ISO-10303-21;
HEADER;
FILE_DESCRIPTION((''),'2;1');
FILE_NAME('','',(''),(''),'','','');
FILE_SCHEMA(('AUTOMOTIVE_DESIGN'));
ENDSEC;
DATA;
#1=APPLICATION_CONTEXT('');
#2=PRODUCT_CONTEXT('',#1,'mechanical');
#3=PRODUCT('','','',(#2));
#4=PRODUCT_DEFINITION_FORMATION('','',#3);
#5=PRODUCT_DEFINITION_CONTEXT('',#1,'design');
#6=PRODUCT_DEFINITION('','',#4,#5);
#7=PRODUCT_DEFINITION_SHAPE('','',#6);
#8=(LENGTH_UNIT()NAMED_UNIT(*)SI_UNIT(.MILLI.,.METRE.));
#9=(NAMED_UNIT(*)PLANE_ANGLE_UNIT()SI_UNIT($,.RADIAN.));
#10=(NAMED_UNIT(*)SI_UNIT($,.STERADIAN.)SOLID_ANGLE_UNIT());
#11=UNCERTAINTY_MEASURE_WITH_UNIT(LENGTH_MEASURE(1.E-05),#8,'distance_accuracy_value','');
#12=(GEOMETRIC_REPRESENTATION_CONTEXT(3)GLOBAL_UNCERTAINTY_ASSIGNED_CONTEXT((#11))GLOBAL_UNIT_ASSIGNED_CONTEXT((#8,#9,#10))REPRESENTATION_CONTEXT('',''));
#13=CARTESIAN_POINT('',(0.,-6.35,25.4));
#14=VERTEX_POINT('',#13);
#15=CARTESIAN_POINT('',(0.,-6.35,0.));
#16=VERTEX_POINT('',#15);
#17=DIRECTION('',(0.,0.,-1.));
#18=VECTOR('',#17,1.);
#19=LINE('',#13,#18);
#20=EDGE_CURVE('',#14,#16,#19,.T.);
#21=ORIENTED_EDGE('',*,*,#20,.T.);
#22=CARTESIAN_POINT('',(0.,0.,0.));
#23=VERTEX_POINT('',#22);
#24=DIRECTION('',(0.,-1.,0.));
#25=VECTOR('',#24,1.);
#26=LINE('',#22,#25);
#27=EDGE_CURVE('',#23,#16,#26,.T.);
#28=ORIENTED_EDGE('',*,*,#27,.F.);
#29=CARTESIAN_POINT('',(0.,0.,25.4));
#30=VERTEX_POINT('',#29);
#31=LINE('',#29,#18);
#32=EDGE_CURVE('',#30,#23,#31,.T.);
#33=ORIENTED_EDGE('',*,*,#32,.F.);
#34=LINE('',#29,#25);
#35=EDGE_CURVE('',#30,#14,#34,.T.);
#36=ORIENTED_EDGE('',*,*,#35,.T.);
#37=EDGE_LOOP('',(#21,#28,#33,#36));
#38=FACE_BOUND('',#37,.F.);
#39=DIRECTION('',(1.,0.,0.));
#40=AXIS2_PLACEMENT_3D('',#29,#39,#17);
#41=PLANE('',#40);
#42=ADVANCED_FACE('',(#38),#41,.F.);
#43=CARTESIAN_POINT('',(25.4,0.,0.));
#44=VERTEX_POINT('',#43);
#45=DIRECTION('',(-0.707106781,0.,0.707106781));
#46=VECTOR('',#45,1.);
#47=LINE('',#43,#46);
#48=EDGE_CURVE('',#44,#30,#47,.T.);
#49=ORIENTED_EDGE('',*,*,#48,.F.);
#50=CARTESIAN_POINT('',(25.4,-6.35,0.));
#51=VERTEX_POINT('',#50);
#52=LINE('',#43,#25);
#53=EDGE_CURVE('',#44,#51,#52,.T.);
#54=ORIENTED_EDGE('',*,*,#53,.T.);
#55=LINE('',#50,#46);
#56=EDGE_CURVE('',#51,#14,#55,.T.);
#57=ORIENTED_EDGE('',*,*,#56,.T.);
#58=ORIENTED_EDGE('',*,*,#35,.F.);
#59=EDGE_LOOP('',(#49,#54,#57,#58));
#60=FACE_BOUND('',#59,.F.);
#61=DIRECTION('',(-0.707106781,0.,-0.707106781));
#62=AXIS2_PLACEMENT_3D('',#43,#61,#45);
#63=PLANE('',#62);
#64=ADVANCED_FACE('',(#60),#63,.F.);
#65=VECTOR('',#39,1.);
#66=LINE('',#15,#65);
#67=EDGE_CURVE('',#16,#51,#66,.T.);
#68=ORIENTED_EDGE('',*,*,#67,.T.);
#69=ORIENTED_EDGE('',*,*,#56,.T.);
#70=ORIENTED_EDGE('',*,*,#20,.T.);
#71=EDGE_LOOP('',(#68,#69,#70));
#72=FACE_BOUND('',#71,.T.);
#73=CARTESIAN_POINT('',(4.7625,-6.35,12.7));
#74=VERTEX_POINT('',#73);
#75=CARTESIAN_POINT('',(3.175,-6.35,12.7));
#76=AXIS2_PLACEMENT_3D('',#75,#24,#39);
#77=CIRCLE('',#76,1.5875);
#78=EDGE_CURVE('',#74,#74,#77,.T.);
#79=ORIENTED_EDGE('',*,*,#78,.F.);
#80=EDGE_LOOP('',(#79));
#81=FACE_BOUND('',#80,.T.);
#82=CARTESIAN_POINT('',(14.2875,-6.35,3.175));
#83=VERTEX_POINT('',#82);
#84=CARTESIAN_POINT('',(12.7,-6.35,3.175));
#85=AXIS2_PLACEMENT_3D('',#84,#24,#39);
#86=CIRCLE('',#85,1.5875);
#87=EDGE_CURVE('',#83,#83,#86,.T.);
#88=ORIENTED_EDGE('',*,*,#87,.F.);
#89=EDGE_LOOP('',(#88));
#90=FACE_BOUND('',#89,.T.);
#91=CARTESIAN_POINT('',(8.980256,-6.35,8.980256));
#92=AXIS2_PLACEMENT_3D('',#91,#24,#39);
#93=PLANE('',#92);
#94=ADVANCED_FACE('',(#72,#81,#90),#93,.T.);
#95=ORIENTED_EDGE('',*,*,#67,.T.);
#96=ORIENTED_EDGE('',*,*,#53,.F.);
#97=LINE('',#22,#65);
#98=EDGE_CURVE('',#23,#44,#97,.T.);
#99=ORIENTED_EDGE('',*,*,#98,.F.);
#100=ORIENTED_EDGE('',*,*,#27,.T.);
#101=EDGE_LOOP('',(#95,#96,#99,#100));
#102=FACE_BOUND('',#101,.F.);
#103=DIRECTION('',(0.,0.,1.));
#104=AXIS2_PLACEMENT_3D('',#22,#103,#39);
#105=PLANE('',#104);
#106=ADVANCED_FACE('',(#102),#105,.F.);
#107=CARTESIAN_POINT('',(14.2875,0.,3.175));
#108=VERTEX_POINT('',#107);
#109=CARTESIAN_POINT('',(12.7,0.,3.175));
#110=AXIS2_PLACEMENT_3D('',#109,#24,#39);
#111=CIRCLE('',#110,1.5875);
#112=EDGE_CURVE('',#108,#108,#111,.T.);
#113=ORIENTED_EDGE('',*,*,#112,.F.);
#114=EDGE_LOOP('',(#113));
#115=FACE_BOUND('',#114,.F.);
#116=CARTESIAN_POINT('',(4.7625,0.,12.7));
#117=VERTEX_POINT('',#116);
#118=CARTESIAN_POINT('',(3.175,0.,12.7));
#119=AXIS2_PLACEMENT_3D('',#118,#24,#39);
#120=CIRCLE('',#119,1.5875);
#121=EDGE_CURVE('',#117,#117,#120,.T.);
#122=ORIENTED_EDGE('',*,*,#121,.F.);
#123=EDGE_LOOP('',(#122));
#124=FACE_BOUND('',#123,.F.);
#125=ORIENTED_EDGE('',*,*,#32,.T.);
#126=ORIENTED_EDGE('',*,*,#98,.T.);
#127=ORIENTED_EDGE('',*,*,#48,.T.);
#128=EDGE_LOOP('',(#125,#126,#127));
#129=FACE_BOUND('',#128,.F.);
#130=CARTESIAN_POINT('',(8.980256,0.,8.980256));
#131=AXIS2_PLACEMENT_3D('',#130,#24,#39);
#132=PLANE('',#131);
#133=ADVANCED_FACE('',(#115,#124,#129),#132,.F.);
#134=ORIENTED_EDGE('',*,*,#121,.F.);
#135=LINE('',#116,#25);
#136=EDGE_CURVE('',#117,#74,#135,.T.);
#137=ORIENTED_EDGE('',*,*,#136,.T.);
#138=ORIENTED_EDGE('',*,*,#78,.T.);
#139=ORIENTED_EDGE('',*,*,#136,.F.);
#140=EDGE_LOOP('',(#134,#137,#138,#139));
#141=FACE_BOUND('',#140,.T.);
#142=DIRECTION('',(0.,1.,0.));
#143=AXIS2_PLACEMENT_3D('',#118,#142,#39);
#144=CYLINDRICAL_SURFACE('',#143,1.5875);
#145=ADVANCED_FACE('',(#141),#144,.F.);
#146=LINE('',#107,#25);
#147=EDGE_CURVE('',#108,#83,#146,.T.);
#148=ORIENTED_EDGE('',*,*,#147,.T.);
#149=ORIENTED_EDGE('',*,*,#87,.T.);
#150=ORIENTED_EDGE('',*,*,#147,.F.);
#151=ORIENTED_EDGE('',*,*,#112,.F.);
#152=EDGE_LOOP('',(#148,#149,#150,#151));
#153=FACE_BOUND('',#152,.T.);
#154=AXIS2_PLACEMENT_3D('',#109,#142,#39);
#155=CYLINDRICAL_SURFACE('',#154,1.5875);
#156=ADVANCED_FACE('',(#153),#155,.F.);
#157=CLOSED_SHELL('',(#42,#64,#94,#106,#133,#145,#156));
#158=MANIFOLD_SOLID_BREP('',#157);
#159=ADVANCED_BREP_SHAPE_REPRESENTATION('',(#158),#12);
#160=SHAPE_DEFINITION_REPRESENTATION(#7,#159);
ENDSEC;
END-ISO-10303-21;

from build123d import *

# Parameters (mm, degrees)
F0_R     = 1.5875
F1_DEPTH = 6.35


with BuildPart() as f1:
    # F0 (on Front) → F1 (new body)
    with BuildSketch(Plane.XZ):
        Polygon((0, 25.4), (0, 0), (25.4, 0), align=None)
        with Locations((12.7, 3.175)):
            Circle(F0_R, mode=Mode.SUBTRACT)
        with Locations((3.175, 12.7)):
            Circle(F0_R, mode=Mode.SUBTRACT)
    extrude(amount=F1_DEPTH)


solid = f1.part
